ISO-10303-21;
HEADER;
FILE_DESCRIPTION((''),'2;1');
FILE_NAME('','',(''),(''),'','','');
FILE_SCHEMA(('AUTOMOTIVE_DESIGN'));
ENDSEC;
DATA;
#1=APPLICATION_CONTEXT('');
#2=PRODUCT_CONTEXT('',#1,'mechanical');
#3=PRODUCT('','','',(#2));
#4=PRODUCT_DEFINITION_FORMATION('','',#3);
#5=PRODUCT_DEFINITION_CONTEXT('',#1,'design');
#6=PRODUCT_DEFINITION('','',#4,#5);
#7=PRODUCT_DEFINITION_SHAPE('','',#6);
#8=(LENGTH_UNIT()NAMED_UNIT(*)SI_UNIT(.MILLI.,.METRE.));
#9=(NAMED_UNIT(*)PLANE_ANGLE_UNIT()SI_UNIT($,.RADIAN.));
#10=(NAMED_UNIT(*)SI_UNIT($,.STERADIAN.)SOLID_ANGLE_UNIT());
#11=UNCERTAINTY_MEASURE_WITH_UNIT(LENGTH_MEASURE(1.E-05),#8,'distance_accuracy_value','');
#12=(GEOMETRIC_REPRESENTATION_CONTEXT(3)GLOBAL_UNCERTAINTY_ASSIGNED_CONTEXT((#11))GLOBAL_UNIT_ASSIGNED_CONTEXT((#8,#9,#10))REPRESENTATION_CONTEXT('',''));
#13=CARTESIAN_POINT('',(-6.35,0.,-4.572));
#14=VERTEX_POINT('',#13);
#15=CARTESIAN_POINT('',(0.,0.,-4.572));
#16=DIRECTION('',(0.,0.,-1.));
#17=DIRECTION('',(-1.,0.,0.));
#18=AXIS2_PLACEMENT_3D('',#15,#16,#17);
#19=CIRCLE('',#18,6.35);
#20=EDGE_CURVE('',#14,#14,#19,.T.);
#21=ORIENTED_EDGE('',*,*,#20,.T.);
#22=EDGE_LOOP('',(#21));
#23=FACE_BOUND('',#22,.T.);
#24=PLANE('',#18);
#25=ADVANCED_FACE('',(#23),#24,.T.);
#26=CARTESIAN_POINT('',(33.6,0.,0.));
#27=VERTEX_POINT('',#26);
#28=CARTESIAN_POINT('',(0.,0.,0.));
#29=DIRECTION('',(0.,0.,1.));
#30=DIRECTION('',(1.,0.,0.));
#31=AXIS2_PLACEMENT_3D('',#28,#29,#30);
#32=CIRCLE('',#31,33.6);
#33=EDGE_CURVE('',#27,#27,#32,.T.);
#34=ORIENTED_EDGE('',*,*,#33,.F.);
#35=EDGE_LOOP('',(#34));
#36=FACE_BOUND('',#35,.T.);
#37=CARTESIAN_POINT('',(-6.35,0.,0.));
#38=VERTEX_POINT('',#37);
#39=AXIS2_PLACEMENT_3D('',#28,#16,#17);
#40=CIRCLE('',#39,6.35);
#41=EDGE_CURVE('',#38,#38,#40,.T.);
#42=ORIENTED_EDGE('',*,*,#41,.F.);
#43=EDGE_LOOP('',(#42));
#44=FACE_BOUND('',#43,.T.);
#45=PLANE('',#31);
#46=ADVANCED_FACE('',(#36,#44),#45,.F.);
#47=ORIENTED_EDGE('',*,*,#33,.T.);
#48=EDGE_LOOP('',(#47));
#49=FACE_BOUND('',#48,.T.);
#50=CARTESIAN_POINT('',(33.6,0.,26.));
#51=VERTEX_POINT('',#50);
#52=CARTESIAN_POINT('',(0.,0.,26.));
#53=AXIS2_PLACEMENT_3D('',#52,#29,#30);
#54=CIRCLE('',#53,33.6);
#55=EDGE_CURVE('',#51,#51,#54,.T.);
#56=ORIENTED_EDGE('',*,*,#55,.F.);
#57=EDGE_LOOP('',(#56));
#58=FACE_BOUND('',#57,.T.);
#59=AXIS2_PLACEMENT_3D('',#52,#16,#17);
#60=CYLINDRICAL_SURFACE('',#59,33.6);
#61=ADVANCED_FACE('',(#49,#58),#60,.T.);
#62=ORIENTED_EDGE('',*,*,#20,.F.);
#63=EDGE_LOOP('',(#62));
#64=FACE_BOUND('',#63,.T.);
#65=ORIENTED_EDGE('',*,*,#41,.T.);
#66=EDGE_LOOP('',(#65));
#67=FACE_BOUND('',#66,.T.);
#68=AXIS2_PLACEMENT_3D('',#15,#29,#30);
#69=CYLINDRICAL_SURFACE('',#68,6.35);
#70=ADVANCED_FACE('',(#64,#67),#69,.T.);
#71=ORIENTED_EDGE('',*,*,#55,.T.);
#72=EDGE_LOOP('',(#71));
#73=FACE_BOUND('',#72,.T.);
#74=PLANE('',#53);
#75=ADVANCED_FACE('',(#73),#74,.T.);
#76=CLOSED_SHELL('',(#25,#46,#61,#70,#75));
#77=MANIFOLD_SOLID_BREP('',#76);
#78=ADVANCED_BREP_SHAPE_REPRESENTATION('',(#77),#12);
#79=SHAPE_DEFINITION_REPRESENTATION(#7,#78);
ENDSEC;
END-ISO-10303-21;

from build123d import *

# Parameters (mm, degrees)
SKETCH1_R           = 33.6
BOSS_EXTRUDE1_DEPTH = 26
SKETCH2_R           = 6.35
BOSS_EXTRUDE2_DEPTH = 4.572


with BuildPart() as part:
    # Sketch1 → Boss-Extrude1 (new body)
    with BuildSketch(Plane.XY):
        Circle(SKETCH1_R)
    extrude(amount=BOSS_EXTRUDE1_DEPTH)

    # Sketch2 → Boss-Extrude2 (add)
    with BuildSketch(Plane(origin=(0, 0, 0), x_dir=(-1, 0, 0), z_dir=(0, 0, -1))):
        Circle(SKETCH2_R)
    extrude(amount=BOSS_EXTRUDE2_DEPTH)


solid = part.part
